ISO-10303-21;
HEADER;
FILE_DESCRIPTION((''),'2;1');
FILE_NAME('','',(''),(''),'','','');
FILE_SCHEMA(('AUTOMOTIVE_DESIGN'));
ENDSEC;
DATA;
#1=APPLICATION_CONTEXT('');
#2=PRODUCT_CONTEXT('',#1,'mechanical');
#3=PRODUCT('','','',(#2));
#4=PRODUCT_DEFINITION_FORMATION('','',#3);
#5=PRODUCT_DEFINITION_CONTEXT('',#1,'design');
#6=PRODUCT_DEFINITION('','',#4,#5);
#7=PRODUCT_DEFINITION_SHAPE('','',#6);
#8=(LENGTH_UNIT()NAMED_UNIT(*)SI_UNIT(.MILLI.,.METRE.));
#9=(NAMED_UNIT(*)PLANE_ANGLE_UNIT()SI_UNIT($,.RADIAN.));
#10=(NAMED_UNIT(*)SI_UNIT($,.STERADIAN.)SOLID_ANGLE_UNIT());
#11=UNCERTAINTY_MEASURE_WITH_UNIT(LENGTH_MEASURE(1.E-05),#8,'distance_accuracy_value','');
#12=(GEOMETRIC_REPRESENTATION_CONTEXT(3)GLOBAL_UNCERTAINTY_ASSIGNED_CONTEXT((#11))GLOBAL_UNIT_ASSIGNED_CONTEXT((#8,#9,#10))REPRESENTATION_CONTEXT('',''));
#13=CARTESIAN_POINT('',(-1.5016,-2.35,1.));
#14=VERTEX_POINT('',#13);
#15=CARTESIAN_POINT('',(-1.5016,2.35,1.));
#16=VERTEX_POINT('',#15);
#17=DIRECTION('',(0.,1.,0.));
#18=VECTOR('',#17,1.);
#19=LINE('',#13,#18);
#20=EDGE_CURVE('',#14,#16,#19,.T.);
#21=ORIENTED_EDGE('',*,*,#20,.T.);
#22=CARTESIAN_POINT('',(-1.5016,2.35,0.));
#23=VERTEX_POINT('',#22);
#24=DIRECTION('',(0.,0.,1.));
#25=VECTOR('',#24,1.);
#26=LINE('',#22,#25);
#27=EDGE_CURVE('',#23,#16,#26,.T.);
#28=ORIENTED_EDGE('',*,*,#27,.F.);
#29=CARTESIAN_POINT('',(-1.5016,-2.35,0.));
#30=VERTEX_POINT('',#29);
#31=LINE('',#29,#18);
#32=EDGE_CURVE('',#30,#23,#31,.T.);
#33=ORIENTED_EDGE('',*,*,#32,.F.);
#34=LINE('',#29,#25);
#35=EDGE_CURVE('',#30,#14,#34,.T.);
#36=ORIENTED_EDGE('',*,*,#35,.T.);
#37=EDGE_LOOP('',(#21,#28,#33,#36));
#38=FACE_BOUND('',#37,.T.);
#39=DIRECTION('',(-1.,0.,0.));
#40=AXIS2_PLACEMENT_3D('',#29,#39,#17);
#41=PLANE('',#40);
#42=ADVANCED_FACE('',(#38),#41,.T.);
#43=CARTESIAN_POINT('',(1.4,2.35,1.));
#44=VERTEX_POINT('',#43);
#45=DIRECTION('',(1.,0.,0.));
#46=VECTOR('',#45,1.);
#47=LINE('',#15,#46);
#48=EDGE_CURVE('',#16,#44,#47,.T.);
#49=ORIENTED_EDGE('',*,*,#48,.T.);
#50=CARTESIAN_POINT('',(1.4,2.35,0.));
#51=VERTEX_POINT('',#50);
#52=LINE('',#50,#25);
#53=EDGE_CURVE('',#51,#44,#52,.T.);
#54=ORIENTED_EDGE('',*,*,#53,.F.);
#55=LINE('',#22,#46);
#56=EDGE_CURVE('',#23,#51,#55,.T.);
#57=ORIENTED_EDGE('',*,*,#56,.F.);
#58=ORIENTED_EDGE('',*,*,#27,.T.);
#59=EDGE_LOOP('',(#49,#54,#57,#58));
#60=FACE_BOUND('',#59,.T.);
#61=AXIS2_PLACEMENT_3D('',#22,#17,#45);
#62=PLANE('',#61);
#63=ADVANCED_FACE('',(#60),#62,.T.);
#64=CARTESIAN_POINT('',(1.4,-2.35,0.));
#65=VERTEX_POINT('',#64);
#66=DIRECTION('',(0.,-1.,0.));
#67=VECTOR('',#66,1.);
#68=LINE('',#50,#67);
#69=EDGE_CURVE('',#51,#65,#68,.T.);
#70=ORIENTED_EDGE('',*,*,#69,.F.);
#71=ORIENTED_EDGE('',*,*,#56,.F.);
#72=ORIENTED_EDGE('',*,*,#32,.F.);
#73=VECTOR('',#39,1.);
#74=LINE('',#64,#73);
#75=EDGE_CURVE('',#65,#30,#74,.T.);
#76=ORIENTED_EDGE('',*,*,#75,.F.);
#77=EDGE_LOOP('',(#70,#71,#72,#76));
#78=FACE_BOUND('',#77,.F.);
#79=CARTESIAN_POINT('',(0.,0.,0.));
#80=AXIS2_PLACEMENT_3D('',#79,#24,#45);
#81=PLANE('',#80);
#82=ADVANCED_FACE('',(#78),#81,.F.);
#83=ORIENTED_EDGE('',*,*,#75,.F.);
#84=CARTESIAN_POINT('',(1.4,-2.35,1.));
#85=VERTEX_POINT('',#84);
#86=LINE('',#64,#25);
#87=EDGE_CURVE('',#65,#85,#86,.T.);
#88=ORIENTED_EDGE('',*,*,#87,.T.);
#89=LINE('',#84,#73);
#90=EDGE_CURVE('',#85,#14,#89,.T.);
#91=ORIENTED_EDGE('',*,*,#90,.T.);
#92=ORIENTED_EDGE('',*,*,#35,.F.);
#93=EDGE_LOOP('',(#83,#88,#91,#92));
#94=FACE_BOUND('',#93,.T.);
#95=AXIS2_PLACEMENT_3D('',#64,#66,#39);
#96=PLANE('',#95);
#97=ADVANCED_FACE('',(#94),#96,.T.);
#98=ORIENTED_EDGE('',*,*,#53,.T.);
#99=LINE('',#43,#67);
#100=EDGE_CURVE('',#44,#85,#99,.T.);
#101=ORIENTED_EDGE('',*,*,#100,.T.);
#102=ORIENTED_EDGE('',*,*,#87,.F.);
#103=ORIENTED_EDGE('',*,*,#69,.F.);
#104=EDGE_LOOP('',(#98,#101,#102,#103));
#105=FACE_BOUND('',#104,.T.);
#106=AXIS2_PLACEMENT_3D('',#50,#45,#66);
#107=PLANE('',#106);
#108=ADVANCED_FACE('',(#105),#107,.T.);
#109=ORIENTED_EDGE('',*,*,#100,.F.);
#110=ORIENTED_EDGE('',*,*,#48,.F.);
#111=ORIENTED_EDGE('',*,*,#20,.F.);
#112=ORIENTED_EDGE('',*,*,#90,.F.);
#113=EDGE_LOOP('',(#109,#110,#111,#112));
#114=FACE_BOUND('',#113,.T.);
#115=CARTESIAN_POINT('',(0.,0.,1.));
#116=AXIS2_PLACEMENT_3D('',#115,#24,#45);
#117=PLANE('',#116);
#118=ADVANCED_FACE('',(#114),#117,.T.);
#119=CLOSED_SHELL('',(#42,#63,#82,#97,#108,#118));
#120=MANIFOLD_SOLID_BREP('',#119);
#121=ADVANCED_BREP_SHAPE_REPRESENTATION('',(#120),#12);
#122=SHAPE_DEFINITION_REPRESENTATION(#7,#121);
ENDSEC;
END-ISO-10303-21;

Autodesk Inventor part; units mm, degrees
ref_plane "YZ Plane" through (0, 0, 0) normal (1, 0, 0) x (0, 1, 0)
ref_plane "XZ Plane" through (0, 0, 0) normal (0, 1, 0) x (-1, 0, 0)
ref_plane "XY Plane" through (0, 0, 0) normal (0, 0, 1) x (1, 0, 0)
sketch "P-LCC-2, LED_IC_STATUS_P-LCC-2_41" plane through (0, 0, 0) normal (0, 0, 1) x (1, 0, 0)
  line L0 (-1.5016, 2.35) -> (1.4, 2.35)
  line L1 (1.4, 2.35) -> (1.4, -2.35)
  line L2 (1.4, -2.35) -> (-1.5016, -2.35)
  line L3 (-1.5016, -2.35) -> (-1.5016, 2.35)
extrude "Extrusion1" add sketch "P-LCC-2, LED_IC_STATUS_P-LCC-2_41" along normal blind 1
properties part number "LED_IC_STATUS_P-LCC-2"
